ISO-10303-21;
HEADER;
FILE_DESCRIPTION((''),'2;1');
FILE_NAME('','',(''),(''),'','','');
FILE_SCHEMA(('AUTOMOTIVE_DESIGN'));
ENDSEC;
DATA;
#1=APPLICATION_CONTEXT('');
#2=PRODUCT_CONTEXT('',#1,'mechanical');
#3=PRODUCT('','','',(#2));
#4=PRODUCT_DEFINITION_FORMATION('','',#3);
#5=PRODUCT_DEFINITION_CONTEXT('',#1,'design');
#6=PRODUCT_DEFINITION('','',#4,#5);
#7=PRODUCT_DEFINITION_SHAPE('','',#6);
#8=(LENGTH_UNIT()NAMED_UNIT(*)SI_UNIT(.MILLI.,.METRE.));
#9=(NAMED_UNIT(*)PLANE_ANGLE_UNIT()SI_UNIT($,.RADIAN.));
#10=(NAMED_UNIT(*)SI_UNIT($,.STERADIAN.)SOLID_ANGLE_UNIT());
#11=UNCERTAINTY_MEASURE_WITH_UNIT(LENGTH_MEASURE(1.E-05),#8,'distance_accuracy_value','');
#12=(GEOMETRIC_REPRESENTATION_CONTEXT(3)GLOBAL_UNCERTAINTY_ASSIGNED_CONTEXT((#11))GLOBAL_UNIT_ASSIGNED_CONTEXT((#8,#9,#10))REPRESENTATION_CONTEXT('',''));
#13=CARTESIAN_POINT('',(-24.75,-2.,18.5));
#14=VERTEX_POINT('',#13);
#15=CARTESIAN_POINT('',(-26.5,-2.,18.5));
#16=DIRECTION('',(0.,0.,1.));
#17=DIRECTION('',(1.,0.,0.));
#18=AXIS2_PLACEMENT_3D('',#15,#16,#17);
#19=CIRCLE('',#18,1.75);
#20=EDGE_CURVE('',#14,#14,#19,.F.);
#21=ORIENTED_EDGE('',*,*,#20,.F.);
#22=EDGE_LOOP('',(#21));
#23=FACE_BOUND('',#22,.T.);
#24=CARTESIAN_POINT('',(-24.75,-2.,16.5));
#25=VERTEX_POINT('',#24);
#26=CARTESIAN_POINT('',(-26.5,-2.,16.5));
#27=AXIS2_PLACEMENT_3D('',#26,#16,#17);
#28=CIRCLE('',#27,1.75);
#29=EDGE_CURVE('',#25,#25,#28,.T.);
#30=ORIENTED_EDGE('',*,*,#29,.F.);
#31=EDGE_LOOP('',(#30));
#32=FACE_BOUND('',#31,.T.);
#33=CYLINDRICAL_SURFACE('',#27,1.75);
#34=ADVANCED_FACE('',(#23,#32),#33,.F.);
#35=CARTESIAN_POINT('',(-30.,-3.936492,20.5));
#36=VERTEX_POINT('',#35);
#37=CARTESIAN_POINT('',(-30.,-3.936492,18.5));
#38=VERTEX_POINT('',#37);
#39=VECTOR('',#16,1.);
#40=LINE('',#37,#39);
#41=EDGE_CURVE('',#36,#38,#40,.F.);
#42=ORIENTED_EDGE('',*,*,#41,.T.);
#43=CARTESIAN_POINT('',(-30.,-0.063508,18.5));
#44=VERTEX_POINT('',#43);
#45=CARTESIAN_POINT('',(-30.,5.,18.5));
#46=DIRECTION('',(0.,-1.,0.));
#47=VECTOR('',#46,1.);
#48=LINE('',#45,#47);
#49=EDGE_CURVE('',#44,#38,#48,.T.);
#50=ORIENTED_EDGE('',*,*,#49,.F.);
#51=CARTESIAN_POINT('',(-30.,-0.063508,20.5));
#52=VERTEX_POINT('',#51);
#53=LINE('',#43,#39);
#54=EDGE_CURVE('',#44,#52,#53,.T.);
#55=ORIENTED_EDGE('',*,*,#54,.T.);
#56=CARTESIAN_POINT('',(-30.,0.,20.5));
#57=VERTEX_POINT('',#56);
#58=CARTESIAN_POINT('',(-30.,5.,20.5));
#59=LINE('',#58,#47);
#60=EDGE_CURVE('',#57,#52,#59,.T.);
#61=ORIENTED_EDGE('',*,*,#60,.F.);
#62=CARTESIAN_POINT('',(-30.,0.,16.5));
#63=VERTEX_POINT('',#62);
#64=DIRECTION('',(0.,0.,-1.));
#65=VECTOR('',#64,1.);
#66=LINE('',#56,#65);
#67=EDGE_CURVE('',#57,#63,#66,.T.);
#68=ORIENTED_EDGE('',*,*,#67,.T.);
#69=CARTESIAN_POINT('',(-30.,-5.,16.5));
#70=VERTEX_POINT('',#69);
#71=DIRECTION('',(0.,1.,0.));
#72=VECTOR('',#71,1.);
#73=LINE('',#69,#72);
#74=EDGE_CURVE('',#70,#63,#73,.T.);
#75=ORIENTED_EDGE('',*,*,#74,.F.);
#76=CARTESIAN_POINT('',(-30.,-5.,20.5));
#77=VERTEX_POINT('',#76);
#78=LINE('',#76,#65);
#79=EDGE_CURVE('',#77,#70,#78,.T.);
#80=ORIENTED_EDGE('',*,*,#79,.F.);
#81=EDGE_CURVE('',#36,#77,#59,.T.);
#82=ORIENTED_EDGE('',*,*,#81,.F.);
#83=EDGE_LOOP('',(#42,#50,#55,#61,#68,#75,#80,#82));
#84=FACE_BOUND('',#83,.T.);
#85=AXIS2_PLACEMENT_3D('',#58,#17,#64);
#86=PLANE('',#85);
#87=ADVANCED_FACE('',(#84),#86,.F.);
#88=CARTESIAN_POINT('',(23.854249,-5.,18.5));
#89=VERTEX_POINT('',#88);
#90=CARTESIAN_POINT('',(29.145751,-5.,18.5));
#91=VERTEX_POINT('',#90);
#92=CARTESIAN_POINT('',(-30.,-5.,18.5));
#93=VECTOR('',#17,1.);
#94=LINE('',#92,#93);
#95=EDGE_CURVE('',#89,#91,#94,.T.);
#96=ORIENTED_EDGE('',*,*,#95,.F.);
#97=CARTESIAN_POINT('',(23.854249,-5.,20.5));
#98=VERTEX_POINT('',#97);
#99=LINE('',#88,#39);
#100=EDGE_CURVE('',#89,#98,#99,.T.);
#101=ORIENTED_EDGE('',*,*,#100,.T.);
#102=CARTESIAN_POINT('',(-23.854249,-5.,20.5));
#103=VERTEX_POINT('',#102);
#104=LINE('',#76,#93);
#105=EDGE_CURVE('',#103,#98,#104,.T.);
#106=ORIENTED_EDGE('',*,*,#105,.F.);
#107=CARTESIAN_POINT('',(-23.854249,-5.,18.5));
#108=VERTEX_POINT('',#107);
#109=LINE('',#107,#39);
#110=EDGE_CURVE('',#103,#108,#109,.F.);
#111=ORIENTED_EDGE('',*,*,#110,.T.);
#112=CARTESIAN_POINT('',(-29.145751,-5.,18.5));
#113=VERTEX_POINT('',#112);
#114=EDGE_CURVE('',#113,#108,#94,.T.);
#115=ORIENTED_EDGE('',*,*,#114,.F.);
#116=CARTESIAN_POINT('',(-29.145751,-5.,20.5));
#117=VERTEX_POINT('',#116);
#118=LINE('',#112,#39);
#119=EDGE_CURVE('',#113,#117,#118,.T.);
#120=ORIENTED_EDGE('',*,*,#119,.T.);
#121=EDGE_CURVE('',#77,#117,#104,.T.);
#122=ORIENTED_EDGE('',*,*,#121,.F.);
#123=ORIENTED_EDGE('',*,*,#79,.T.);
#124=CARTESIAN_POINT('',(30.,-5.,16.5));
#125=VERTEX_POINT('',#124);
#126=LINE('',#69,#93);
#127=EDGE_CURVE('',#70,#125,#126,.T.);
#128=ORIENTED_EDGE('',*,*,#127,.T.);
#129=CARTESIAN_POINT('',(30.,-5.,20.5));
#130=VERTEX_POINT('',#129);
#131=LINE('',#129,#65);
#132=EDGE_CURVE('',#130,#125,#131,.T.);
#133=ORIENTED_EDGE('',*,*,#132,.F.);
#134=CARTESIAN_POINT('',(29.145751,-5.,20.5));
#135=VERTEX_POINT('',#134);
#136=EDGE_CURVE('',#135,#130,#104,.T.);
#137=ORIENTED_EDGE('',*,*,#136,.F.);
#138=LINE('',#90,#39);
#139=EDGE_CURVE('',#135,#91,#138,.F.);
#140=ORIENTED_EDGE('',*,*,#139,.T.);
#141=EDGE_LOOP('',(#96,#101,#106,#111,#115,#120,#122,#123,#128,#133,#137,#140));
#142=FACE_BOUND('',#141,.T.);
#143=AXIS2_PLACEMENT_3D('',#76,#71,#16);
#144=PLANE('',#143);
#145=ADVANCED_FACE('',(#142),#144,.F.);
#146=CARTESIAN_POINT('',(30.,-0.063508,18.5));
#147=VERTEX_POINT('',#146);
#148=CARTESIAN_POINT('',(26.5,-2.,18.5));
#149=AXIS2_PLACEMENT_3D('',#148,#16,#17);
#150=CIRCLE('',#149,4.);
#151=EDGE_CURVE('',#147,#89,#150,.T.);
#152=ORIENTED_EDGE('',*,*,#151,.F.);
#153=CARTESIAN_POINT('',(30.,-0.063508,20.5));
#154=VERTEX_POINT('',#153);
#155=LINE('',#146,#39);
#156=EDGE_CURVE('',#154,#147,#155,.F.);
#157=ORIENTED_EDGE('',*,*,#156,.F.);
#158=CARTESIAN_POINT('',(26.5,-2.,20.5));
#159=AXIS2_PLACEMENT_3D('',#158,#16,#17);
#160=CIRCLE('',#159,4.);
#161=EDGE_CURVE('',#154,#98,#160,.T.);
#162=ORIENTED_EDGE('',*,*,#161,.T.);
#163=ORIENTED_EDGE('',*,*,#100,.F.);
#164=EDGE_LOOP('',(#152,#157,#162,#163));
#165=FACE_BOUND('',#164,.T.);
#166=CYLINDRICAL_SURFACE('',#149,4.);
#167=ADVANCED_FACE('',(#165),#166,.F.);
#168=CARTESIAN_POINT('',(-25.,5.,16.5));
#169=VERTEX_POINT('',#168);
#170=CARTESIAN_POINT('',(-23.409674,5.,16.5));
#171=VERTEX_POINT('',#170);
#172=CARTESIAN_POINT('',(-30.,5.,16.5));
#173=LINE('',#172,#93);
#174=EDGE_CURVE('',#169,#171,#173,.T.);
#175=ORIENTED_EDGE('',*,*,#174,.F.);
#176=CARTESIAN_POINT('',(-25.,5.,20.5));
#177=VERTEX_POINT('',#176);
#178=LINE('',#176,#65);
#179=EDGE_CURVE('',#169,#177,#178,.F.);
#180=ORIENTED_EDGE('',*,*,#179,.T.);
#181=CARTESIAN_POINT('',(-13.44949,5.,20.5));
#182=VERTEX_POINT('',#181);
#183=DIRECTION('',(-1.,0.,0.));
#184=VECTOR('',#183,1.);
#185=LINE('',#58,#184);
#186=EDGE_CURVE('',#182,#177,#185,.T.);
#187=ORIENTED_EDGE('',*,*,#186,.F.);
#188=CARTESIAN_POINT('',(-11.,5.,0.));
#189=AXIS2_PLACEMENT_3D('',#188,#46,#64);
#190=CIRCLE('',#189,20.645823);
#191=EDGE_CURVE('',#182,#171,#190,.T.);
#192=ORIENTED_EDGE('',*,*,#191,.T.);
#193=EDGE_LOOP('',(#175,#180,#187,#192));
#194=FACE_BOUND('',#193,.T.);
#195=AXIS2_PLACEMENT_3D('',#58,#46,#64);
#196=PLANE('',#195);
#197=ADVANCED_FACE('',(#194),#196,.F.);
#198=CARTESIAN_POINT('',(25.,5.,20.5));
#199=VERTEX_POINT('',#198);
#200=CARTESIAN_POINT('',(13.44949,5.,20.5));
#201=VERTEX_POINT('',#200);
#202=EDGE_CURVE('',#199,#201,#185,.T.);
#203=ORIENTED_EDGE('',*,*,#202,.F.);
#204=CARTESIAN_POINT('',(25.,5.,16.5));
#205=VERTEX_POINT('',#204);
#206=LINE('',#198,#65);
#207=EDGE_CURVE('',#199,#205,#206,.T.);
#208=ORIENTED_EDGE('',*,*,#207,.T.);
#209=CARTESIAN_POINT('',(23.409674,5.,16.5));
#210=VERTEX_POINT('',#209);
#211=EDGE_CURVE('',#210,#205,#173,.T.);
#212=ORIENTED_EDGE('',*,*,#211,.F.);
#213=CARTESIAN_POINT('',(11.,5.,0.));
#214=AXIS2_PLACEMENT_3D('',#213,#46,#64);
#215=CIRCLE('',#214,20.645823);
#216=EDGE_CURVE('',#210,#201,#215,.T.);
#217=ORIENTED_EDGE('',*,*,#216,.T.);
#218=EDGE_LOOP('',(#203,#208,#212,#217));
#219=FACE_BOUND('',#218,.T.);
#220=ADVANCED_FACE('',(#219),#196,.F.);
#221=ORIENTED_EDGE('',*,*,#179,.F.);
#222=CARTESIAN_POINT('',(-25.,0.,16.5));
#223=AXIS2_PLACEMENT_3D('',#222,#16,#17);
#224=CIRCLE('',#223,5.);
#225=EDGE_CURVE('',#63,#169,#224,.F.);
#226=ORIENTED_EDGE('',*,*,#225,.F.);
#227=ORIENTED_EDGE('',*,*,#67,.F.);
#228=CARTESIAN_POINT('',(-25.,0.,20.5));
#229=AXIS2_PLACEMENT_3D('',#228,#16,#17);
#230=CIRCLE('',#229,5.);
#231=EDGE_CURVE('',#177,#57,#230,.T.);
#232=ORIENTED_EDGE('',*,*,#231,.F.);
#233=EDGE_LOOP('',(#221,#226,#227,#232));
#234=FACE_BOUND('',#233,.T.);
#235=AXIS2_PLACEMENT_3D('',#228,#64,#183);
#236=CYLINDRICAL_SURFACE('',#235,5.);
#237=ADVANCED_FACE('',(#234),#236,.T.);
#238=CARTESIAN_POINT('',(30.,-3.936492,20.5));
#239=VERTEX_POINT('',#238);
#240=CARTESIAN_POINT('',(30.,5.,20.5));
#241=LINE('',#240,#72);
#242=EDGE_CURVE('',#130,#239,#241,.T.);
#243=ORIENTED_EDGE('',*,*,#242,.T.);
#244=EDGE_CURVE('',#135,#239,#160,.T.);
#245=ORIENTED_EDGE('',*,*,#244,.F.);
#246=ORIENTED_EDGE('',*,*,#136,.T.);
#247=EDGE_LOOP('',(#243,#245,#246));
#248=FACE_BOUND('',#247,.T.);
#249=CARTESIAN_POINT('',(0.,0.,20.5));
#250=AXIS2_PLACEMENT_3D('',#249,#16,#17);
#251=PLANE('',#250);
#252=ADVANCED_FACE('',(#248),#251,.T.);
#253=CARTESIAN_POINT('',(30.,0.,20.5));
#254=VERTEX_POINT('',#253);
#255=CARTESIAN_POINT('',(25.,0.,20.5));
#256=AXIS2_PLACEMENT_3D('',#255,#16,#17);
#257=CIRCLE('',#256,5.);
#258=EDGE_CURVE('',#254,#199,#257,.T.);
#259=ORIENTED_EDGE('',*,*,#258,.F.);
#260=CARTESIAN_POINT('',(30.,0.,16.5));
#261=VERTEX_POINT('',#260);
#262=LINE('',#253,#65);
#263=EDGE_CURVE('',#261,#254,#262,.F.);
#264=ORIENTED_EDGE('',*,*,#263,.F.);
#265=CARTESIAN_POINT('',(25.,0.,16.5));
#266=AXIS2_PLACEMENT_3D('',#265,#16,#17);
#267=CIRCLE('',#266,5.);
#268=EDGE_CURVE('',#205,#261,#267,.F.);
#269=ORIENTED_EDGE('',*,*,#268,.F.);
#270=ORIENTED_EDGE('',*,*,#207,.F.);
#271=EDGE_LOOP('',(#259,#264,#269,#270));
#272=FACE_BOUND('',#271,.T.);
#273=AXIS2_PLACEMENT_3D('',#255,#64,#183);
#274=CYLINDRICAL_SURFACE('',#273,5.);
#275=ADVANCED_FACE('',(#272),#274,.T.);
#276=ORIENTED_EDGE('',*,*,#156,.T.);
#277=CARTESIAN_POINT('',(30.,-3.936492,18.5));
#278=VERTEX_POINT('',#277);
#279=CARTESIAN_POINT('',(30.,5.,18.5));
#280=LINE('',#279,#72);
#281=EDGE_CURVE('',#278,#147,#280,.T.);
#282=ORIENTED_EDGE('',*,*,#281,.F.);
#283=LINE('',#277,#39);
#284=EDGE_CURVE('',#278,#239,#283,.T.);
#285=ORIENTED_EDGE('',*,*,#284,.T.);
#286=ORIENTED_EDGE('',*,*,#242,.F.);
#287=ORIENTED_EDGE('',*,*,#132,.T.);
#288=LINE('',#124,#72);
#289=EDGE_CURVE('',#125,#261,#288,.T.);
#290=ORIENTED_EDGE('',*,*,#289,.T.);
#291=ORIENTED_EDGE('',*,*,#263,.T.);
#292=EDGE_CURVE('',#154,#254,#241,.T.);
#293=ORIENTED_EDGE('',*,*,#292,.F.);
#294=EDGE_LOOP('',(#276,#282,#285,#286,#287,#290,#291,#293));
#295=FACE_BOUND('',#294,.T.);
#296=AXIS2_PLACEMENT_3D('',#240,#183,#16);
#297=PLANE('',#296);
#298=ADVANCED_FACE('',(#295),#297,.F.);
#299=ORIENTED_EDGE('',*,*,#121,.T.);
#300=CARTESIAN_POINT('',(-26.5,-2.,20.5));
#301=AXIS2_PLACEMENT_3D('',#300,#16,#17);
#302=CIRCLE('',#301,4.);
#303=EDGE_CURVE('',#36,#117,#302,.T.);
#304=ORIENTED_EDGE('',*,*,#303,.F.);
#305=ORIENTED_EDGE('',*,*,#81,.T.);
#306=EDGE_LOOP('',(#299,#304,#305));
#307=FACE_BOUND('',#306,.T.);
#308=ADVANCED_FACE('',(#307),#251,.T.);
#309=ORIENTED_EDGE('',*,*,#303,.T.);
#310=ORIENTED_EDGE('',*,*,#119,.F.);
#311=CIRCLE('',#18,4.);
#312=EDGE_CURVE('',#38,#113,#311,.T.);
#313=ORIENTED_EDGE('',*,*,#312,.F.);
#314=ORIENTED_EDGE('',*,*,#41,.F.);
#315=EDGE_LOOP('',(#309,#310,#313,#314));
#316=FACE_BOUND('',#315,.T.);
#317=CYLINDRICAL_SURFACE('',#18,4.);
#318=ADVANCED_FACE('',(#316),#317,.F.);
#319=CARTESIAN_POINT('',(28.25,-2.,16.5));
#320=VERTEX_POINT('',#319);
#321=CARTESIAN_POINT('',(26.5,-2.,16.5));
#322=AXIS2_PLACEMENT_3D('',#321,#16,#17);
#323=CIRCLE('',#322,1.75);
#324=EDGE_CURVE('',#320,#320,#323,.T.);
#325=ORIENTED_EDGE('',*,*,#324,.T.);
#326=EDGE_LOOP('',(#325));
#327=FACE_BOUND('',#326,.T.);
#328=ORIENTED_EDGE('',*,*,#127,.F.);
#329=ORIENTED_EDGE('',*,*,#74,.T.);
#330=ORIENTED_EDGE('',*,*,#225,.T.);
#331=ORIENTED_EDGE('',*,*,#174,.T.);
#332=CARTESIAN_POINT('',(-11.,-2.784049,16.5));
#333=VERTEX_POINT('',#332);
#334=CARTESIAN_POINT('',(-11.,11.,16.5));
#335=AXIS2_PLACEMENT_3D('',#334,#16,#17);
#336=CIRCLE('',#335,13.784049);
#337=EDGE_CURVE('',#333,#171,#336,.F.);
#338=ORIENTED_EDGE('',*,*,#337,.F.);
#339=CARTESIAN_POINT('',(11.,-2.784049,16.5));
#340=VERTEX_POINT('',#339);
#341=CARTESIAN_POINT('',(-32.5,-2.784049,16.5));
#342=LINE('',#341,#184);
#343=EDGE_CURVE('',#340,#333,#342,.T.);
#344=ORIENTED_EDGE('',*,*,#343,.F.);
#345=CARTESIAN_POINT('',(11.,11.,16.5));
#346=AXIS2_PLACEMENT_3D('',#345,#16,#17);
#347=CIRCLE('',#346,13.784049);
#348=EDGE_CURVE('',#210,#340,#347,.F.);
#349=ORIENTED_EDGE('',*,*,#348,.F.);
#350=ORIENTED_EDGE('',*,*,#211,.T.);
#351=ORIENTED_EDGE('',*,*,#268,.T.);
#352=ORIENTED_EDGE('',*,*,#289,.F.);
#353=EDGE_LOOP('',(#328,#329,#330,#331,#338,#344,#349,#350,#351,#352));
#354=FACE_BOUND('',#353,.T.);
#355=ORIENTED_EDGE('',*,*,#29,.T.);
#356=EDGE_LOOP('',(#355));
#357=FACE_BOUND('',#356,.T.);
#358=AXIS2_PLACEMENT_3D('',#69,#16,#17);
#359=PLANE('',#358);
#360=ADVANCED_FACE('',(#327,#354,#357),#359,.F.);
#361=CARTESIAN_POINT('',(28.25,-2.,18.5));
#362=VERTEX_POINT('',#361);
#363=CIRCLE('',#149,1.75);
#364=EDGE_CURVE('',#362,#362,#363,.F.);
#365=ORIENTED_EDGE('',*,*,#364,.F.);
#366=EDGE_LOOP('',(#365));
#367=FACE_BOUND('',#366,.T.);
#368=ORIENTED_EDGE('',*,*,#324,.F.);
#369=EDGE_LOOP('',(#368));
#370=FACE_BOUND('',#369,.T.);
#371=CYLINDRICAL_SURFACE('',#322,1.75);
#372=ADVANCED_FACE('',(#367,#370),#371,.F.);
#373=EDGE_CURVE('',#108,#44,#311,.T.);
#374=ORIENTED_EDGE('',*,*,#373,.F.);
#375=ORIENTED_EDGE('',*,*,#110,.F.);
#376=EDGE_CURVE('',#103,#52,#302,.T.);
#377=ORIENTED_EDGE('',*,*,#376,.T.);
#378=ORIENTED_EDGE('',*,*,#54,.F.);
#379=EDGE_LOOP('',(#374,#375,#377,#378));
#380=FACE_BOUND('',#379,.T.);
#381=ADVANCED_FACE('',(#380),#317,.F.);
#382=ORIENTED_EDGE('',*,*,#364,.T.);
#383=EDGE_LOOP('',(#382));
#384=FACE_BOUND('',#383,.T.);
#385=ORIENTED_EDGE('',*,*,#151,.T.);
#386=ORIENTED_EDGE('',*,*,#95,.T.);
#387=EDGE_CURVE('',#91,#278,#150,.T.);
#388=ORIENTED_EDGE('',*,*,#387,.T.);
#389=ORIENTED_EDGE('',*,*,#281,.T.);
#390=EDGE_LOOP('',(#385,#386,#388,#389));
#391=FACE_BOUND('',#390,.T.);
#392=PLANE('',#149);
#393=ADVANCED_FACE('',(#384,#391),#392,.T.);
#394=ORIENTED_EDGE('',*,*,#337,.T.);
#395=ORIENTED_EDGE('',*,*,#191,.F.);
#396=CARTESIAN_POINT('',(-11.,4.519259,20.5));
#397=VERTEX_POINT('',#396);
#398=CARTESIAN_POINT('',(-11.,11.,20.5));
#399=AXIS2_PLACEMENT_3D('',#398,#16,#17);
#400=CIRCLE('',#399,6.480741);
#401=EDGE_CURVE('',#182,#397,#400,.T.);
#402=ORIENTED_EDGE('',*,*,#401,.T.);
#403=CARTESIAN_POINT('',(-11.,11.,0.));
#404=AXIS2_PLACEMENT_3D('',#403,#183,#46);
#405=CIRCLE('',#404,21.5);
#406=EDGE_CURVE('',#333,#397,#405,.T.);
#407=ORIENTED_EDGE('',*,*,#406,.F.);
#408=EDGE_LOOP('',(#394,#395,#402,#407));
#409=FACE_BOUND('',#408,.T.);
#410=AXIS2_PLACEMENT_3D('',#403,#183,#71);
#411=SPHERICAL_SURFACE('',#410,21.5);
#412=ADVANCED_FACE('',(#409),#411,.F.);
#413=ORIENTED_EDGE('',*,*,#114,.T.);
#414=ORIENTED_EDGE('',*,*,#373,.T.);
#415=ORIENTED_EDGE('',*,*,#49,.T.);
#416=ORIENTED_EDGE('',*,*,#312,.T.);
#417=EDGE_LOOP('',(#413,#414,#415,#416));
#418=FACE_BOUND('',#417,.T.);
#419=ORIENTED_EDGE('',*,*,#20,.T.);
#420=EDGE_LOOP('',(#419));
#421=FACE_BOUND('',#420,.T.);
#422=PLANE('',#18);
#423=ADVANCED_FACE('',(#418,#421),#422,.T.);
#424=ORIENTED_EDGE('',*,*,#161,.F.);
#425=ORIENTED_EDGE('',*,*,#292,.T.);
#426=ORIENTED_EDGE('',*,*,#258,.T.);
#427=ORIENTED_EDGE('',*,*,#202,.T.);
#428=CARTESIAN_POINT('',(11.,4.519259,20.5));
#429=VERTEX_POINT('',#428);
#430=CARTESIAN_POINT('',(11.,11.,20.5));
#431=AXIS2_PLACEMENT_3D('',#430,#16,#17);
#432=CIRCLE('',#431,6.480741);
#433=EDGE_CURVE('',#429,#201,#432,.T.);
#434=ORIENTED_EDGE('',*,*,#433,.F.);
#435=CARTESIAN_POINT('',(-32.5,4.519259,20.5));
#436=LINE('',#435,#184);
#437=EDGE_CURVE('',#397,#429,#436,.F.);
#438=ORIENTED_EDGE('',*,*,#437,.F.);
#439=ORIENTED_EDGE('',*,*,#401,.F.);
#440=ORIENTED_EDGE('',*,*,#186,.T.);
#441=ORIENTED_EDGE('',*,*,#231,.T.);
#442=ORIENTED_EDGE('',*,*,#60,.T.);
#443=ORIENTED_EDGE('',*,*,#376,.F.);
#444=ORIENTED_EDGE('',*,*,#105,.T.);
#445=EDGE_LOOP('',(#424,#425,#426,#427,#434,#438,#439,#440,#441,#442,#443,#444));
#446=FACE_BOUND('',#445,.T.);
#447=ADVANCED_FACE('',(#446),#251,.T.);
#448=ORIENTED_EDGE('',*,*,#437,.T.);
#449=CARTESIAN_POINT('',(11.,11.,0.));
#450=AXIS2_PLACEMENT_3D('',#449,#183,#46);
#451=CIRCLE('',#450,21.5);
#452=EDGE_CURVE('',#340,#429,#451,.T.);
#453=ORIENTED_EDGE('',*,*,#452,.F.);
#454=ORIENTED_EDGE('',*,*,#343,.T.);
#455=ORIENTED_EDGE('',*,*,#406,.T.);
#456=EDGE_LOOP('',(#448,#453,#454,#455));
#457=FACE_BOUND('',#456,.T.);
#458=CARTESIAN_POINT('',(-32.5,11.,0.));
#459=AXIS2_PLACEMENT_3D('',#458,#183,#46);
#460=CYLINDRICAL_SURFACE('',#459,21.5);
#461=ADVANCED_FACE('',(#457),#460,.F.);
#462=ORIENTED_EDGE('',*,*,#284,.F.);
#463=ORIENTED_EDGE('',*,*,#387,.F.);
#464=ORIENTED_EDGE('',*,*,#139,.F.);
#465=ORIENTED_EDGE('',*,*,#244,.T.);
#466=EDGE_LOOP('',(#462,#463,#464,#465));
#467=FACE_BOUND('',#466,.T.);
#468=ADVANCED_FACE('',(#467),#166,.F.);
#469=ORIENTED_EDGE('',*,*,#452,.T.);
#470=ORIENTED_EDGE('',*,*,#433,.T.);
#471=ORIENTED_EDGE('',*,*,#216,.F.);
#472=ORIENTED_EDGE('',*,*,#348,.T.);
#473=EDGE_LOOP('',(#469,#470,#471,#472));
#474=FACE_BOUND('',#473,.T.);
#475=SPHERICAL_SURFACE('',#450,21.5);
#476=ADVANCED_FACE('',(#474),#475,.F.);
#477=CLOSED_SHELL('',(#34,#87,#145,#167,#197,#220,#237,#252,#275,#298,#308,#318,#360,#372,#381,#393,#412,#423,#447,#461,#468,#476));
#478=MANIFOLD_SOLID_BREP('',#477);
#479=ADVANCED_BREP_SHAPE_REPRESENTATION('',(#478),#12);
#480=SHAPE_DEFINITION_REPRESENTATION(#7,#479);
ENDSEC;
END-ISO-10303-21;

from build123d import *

# Parameters (mm, degrees)
SKETCH1_W           = 60
SKETCH1_H           = 10
BOSS_EXTRUDE1_DEPTH = 20.5
SKETCH3_W           = 60
SKETCH3_H           = 37
CUT_EXTRUDE1_DEPTH  = 38.686204372
FILLET1_R           = 5
SKETCH4_R           = 1.75
CUT_EXTRUDE2_DEPTH  = 31.6757233
SKETCH5_R           = 4
CUT_EXTRUDE5_DEPTH  = 2


with BuildPart() as part:
    # Sketch1 → Boss-Extrude1 (new, symmetric)
    with BuildSketch(Plane.XY):
        Rectangle(SKETCH1_W, SKETCH1_H)
    extrude(amount=BOSS_EXTRUDE1_DEPTH, both=True)

    # Sketch2 → Cut-Revolve1 (revolve, cut)
    with BuildSketch(Plane.XY):
        with BuildLine():
            Line((-32.5, 11), (32.5, 11))
            ThreePointArc((32.5, 11), (26.202795796, -4.202795796), (11, -10.5))
            Line((11, -10.5), (-11, -10.5))
            ThreePointArc((-11, -10.5), (-26.202795796, -4.202795796), (-32.5, 11))
        make_face()
    revolve(axis=Axis((-32.5, 11, 0), (1, 0, 0)), mode=Mode.SUBTRACT)

    # Sketch3 → Cut-Extrude1 (cut, through all)
    with BuildSketch(Plane(origin=(0, 5, 0), x_dir=(1, 0, 0), z_dir=(0, 1, 0))):
        with Locations((0, 2)):
            Rectangle(SKETCH3_W, SKETCH3_H)
    extrude(amount=-CUT_EXTRUDE1_DEPTH, mode=Mode.SUBTRACT)

    # Fillet1
    fillet1_edges = [part.edges().sort_by_distance(p)[0] for p in [
        (-30, 5, 18.5),
        (30, 5, 18.5),
    ]]
    fillet(fillet1_edges, radius=FILLET1_R)

    # Sketch4 → Cut-Extrude2 (cut, through all)
    with BuildSketch(Plane.XY.offset(20.5)):
        with Locations((-26.5, -2)):
            Circle(SKETCH4_R)
        with Locations((26.5, -2)):
            Circle(SKETCH4_R)
    extrude(amount=-CUT_EXTRUDE2_DEPTH, mode=Mode.SUBTRACT)

    # Sketch5 → Cut-Extrude5 (cut)
    with BuildSketch(Plane.XY.offset(20.5)):
        with Locations((-26.5, -2)):
            Circle(SKETCH5_R)
        with Locations((26.5, -2)):
            Circle(SKETCH5_R)
    extrude(amount=-CUT_EXTRUDE5_DEPTH, mode=Mode.SUBTRACT)


solid = part.part
